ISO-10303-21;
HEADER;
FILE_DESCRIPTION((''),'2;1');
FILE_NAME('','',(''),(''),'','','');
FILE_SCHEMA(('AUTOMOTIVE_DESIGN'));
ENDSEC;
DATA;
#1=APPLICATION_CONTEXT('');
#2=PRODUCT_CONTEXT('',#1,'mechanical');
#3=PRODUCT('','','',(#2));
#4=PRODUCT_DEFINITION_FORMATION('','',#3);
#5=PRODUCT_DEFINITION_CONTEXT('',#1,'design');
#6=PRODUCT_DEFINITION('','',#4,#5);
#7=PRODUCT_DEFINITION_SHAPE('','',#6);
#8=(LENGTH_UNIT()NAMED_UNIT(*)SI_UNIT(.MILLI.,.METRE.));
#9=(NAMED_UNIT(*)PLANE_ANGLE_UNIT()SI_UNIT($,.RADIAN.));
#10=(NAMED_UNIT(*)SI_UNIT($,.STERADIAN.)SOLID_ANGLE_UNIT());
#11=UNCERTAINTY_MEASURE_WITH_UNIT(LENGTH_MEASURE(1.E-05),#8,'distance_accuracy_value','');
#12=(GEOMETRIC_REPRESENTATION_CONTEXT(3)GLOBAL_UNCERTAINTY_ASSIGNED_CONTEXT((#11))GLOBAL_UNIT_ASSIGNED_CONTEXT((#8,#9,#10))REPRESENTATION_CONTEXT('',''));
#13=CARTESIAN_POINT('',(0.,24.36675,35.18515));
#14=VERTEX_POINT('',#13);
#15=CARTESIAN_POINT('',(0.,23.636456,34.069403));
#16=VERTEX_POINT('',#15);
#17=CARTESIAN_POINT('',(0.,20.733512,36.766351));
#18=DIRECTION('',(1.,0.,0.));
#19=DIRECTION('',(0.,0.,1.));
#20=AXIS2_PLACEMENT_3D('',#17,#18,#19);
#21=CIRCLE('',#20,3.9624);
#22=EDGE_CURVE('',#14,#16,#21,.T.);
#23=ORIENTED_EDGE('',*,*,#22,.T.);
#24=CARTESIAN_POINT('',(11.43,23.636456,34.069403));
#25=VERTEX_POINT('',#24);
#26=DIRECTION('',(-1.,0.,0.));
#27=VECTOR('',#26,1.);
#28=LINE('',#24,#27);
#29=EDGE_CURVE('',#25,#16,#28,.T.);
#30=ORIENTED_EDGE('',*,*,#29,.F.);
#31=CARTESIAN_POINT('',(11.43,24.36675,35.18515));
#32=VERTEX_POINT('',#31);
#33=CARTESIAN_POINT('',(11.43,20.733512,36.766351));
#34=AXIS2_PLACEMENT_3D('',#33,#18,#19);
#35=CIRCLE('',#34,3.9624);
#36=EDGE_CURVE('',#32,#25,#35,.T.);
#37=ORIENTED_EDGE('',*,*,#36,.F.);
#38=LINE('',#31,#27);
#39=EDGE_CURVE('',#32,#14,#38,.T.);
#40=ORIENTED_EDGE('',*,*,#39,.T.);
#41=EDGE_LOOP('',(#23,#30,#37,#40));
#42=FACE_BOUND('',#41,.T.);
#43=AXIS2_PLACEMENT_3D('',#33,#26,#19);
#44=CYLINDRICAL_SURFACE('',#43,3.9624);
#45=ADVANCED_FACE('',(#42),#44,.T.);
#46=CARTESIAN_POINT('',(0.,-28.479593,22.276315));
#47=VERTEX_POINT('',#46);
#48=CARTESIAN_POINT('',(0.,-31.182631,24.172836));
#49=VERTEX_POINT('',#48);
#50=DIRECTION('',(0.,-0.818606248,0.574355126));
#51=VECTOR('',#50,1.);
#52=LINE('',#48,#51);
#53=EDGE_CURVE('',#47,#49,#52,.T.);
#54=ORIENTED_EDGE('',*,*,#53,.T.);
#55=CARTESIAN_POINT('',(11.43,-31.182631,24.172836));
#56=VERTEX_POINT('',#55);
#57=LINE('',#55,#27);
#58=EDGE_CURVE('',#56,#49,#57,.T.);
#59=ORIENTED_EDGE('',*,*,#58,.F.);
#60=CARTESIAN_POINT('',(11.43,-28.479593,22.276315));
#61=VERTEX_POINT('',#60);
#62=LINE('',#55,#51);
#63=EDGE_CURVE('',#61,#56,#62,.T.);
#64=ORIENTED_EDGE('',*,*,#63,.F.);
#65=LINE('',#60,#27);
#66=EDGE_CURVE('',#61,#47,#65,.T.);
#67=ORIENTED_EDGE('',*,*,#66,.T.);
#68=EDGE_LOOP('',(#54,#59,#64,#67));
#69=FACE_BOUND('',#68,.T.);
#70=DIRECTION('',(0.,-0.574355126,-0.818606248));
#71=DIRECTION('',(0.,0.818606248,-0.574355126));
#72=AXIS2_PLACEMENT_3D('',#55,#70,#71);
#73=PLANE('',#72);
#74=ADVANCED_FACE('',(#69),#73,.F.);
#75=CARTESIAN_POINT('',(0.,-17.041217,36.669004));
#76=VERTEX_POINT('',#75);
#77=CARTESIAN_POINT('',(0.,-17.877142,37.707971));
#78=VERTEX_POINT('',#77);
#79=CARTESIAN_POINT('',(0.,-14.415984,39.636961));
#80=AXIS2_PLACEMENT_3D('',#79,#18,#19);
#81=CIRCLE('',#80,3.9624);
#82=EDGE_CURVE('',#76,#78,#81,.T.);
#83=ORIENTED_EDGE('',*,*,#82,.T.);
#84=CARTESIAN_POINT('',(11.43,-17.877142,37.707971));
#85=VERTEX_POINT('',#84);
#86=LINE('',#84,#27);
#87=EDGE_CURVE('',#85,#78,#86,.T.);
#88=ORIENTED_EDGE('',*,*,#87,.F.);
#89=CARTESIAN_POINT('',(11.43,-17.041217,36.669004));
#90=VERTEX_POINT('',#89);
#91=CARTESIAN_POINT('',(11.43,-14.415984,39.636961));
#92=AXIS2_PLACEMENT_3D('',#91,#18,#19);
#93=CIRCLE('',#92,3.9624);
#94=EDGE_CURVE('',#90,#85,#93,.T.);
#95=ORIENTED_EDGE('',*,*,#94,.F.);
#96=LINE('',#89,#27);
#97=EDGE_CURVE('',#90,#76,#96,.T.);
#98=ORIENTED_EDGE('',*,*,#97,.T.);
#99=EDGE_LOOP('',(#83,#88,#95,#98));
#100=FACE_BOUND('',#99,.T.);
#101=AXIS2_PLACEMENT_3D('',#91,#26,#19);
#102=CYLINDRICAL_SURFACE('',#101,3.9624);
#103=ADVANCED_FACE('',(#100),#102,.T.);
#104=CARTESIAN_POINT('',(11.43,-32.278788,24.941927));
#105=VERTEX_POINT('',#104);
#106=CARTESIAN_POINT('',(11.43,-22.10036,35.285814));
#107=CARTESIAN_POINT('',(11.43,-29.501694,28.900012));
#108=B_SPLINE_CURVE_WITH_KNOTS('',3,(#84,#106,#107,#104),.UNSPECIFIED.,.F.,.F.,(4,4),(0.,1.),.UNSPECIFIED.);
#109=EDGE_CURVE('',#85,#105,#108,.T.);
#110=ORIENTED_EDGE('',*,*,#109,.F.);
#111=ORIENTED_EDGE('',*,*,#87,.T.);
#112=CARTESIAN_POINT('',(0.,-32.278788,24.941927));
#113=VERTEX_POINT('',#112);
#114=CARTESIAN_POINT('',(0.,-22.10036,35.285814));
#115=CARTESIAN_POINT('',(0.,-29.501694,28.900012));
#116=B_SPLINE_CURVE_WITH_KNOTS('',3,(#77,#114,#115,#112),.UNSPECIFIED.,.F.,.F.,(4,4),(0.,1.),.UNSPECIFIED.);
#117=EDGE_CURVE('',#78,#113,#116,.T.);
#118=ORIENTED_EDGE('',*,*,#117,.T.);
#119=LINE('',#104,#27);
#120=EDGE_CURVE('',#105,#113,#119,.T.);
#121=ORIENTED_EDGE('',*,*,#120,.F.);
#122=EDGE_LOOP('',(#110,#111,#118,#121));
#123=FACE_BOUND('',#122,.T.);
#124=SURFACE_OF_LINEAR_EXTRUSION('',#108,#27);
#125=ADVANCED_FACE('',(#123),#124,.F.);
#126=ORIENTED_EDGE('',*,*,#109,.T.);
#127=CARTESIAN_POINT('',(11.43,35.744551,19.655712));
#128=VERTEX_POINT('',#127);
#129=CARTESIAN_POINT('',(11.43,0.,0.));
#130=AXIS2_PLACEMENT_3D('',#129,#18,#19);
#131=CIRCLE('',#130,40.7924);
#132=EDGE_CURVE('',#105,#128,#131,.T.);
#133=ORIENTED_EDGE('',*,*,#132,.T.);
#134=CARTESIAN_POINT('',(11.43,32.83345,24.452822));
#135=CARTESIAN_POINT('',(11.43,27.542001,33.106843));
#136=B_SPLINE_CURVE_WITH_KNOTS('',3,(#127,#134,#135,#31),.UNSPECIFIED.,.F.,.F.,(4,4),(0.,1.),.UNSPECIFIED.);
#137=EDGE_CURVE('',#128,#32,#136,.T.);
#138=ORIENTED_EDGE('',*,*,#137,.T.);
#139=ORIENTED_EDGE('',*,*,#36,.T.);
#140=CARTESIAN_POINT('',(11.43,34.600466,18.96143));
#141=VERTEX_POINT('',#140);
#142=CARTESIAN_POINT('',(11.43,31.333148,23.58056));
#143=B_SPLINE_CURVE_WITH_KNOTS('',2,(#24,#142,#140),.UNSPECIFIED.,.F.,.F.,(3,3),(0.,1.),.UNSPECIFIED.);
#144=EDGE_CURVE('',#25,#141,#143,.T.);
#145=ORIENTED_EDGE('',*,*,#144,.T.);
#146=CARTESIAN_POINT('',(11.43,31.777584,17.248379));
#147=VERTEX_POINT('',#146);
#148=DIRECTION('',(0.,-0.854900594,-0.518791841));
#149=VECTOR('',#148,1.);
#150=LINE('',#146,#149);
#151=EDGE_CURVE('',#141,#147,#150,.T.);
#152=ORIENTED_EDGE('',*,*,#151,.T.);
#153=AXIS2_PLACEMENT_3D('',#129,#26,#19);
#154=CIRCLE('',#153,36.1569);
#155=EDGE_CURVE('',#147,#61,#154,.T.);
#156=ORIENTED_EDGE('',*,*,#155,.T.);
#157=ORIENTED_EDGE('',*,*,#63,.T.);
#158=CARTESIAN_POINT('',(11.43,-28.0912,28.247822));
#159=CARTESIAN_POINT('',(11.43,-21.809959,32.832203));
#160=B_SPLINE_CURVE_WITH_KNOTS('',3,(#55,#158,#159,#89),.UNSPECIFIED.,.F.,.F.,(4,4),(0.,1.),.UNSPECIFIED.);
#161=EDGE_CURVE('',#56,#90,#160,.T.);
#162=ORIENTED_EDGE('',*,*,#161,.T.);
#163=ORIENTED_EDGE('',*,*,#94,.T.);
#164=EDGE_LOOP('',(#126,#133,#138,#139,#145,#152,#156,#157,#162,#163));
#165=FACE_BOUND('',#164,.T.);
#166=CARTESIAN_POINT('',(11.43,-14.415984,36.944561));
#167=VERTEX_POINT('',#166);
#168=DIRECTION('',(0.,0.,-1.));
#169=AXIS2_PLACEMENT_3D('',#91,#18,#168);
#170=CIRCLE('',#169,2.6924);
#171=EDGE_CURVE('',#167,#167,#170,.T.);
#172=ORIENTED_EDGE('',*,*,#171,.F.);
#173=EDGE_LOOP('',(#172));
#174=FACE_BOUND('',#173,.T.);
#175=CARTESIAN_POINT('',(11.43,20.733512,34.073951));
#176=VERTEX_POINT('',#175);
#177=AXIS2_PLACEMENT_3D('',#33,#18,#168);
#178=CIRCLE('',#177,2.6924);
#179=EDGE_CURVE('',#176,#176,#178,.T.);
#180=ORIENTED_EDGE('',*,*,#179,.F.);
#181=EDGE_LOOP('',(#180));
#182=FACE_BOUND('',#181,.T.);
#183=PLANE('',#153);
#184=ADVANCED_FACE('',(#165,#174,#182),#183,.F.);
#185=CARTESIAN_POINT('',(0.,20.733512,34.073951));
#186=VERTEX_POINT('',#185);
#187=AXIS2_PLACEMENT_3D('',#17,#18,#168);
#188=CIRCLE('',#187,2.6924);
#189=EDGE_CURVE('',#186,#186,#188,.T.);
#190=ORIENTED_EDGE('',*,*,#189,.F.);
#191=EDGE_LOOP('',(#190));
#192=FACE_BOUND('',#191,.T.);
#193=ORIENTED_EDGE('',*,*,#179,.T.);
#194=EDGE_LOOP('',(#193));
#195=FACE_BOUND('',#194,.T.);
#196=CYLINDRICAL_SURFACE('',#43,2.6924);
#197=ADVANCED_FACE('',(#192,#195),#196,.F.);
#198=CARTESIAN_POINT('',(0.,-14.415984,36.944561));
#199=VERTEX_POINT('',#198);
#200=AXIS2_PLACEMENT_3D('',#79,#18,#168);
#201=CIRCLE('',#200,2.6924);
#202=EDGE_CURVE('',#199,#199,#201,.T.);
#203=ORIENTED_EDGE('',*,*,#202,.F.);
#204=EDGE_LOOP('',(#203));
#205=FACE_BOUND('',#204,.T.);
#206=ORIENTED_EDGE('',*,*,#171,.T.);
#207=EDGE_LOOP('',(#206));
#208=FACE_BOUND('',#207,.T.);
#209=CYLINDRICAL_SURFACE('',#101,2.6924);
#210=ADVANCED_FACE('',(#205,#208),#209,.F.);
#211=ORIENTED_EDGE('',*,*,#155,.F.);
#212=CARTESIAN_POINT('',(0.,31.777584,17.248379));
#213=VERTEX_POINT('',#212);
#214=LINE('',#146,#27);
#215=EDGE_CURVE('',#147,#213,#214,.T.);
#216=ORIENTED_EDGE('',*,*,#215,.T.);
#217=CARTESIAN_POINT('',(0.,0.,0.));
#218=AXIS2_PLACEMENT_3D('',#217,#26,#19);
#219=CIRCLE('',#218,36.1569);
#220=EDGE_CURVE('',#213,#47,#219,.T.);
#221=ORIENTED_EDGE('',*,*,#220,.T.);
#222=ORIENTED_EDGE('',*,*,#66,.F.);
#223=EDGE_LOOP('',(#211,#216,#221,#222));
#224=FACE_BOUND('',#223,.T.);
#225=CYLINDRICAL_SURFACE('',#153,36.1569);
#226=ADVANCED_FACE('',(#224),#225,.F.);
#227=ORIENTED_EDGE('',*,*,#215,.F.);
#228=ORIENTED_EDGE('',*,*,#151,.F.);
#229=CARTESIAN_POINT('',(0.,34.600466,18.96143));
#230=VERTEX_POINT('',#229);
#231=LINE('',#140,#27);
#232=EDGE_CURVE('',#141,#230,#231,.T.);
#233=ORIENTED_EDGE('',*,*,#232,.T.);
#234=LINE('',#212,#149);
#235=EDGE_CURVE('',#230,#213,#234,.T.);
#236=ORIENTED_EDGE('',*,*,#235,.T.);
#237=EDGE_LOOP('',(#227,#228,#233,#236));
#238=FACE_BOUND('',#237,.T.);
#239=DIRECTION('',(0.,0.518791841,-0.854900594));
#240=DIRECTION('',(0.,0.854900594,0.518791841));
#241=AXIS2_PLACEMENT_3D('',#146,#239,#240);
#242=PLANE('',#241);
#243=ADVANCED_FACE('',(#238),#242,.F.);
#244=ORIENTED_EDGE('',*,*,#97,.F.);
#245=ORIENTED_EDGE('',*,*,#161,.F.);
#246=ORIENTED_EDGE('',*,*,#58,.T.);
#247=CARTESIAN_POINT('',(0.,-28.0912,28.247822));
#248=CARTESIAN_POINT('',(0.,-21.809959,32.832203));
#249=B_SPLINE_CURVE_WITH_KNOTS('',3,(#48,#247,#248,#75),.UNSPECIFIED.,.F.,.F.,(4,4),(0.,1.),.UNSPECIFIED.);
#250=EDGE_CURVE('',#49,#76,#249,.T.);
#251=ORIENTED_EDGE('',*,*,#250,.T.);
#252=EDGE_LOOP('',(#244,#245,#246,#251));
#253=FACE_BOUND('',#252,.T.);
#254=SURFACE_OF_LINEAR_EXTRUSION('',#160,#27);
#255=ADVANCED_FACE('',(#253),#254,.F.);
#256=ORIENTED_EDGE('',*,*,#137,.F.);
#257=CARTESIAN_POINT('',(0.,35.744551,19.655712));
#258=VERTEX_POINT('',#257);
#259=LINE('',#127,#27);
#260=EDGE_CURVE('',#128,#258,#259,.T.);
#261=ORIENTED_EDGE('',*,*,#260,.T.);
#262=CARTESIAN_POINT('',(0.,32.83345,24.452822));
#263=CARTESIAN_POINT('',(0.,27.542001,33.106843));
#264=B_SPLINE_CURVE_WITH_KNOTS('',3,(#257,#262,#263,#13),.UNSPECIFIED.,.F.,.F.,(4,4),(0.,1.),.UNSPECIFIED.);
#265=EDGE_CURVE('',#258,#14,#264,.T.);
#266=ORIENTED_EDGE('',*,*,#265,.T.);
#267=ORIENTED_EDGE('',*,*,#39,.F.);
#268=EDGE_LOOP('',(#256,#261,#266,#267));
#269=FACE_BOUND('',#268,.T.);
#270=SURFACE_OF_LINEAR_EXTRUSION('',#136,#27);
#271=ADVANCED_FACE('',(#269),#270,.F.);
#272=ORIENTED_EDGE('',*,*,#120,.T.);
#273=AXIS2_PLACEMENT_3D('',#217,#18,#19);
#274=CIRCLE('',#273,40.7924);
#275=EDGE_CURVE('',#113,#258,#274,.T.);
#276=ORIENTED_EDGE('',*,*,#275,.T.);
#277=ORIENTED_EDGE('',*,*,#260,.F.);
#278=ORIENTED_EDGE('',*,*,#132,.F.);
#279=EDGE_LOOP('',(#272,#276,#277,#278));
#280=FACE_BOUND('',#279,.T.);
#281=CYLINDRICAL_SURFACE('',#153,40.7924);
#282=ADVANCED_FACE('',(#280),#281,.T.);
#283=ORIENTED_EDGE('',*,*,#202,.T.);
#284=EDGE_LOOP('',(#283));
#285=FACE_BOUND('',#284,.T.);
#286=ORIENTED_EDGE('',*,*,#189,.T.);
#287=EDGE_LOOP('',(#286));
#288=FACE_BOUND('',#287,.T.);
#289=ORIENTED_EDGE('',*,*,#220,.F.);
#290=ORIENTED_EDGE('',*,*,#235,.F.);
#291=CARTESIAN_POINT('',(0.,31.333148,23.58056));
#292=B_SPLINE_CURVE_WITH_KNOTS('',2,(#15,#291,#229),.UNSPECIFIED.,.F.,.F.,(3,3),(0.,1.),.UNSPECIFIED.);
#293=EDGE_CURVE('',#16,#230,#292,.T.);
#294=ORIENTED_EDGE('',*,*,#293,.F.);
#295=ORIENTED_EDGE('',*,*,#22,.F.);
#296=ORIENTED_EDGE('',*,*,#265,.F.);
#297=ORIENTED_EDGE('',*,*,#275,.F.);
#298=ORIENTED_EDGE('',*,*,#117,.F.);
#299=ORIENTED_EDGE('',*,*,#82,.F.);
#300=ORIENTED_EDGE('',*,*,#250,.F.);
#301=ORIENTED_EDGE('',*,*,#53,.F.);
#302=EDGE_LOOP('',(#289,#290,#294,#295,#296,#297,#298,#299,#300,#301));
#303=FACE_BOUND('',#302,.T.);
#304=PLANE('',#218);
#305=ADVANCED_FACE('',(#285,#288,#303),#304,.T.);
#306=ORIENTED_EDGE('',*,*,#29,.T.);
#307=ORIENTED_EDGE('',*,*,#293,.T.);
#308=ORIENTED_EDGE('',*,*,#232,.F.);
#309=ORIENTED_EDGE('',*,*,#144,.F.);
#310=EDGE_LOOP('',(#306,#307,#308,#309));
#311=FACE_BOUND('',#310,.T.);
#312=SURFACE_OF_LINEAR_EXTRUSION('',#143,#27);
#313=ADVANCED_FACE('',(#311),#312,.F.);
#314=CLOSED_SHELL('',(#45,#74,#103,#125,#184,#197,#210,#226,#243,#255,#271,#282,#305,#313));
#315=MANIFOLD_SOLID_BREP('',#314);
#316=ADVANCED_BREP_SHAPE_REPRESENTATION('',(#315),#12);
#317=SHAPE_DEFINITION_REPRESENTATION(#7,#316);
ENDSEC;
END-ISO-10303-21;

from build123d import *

# Parameters (mm, degrees)
SKETCH1_R           = 2.6924
BOSS_EXTRUDE1_DEPTH = 11.43


with BuildPart() as part:
    # Sketch1 → Boss-Extrude1 (new body)
    with BuildSketch(Plane(origin=(0, 0, 0), x_dir=(0, 0, -1), z_dir=(1, 0, 0))):
        with BuildLine():
            Line((-17.248379124, 31.777583848), (-18.961429782, 34.60046561))
            add(Edge.make_bspline(
                [(-18.961429782, 34.60046561), (-23.58056, 31.333147995), (-34.069402621, 23.636456001)],
                knots=[0, 0, 0, 1, 1, 1], degree=2))
            ThreePointArc((-34.069402621, 23.636456001), (-38.936367326, 17.418147401), (-35.185150313, 24.366750009))
            add(Edge.make_bspline(
                [(-19.655711627, 35.744550608), (-24.45282225, 32.833449755), (-33.10684296, 27.542000808), (-35.185150313, 24.366750009)],
                knots=[0, 0, 0, 0, 1, 1, 1, 1], degree=3))
            ThreePointArc((-19.655711627, 35.744550608), (40.669779942, -3.160521672), (-24.941927486, -32.278787942))
            add(Edge.make_bspline(
                [(-24.941927486, -32.278787942), (-28.90001234, -29.501694158), (-35.285813522, -22.100360431), (-37.707971273, -17.877142062)],
                knots=[0, 0, 0, 0, 1, 1, 1, 1], degree=3))
            ThreePointArc((-37.707971273, -17.877142062), (-42.120851326, -11.328768455), (-36.669004411, -17.041217359))
            add(Edge.make_bspline(
                [(-24.172835506, -31.182630753), (-28.247821961, -28.091199741), (-32.832203399, -21.809959197), (-36.669004411, -17.041217359)],
                knots=[0, 0, 0, 0, 1, 1, 1, 1], degree=3))
            Line((-24.172835506, -31.182630753), (-22.276314881, -28.479592921))
            ThreePointArc((-22.276314881, -28.479592921), (36.03168324, -3.006529649), (-17.248379124, 31.777583848))
        make_face()
        with Locations((-36.766350845, 20.733511971)):
            Circle(SKETCH1_R, mode=Mode.SUBTRACT)
        with Locations((-39.636960779, -14.415984273)):
            Circle(SKETCH1_R, mode=Mode.SUBTRACT)
    extrude(amount=BOSS_EXTRUDE1_DEPTH)


solid = part.part
